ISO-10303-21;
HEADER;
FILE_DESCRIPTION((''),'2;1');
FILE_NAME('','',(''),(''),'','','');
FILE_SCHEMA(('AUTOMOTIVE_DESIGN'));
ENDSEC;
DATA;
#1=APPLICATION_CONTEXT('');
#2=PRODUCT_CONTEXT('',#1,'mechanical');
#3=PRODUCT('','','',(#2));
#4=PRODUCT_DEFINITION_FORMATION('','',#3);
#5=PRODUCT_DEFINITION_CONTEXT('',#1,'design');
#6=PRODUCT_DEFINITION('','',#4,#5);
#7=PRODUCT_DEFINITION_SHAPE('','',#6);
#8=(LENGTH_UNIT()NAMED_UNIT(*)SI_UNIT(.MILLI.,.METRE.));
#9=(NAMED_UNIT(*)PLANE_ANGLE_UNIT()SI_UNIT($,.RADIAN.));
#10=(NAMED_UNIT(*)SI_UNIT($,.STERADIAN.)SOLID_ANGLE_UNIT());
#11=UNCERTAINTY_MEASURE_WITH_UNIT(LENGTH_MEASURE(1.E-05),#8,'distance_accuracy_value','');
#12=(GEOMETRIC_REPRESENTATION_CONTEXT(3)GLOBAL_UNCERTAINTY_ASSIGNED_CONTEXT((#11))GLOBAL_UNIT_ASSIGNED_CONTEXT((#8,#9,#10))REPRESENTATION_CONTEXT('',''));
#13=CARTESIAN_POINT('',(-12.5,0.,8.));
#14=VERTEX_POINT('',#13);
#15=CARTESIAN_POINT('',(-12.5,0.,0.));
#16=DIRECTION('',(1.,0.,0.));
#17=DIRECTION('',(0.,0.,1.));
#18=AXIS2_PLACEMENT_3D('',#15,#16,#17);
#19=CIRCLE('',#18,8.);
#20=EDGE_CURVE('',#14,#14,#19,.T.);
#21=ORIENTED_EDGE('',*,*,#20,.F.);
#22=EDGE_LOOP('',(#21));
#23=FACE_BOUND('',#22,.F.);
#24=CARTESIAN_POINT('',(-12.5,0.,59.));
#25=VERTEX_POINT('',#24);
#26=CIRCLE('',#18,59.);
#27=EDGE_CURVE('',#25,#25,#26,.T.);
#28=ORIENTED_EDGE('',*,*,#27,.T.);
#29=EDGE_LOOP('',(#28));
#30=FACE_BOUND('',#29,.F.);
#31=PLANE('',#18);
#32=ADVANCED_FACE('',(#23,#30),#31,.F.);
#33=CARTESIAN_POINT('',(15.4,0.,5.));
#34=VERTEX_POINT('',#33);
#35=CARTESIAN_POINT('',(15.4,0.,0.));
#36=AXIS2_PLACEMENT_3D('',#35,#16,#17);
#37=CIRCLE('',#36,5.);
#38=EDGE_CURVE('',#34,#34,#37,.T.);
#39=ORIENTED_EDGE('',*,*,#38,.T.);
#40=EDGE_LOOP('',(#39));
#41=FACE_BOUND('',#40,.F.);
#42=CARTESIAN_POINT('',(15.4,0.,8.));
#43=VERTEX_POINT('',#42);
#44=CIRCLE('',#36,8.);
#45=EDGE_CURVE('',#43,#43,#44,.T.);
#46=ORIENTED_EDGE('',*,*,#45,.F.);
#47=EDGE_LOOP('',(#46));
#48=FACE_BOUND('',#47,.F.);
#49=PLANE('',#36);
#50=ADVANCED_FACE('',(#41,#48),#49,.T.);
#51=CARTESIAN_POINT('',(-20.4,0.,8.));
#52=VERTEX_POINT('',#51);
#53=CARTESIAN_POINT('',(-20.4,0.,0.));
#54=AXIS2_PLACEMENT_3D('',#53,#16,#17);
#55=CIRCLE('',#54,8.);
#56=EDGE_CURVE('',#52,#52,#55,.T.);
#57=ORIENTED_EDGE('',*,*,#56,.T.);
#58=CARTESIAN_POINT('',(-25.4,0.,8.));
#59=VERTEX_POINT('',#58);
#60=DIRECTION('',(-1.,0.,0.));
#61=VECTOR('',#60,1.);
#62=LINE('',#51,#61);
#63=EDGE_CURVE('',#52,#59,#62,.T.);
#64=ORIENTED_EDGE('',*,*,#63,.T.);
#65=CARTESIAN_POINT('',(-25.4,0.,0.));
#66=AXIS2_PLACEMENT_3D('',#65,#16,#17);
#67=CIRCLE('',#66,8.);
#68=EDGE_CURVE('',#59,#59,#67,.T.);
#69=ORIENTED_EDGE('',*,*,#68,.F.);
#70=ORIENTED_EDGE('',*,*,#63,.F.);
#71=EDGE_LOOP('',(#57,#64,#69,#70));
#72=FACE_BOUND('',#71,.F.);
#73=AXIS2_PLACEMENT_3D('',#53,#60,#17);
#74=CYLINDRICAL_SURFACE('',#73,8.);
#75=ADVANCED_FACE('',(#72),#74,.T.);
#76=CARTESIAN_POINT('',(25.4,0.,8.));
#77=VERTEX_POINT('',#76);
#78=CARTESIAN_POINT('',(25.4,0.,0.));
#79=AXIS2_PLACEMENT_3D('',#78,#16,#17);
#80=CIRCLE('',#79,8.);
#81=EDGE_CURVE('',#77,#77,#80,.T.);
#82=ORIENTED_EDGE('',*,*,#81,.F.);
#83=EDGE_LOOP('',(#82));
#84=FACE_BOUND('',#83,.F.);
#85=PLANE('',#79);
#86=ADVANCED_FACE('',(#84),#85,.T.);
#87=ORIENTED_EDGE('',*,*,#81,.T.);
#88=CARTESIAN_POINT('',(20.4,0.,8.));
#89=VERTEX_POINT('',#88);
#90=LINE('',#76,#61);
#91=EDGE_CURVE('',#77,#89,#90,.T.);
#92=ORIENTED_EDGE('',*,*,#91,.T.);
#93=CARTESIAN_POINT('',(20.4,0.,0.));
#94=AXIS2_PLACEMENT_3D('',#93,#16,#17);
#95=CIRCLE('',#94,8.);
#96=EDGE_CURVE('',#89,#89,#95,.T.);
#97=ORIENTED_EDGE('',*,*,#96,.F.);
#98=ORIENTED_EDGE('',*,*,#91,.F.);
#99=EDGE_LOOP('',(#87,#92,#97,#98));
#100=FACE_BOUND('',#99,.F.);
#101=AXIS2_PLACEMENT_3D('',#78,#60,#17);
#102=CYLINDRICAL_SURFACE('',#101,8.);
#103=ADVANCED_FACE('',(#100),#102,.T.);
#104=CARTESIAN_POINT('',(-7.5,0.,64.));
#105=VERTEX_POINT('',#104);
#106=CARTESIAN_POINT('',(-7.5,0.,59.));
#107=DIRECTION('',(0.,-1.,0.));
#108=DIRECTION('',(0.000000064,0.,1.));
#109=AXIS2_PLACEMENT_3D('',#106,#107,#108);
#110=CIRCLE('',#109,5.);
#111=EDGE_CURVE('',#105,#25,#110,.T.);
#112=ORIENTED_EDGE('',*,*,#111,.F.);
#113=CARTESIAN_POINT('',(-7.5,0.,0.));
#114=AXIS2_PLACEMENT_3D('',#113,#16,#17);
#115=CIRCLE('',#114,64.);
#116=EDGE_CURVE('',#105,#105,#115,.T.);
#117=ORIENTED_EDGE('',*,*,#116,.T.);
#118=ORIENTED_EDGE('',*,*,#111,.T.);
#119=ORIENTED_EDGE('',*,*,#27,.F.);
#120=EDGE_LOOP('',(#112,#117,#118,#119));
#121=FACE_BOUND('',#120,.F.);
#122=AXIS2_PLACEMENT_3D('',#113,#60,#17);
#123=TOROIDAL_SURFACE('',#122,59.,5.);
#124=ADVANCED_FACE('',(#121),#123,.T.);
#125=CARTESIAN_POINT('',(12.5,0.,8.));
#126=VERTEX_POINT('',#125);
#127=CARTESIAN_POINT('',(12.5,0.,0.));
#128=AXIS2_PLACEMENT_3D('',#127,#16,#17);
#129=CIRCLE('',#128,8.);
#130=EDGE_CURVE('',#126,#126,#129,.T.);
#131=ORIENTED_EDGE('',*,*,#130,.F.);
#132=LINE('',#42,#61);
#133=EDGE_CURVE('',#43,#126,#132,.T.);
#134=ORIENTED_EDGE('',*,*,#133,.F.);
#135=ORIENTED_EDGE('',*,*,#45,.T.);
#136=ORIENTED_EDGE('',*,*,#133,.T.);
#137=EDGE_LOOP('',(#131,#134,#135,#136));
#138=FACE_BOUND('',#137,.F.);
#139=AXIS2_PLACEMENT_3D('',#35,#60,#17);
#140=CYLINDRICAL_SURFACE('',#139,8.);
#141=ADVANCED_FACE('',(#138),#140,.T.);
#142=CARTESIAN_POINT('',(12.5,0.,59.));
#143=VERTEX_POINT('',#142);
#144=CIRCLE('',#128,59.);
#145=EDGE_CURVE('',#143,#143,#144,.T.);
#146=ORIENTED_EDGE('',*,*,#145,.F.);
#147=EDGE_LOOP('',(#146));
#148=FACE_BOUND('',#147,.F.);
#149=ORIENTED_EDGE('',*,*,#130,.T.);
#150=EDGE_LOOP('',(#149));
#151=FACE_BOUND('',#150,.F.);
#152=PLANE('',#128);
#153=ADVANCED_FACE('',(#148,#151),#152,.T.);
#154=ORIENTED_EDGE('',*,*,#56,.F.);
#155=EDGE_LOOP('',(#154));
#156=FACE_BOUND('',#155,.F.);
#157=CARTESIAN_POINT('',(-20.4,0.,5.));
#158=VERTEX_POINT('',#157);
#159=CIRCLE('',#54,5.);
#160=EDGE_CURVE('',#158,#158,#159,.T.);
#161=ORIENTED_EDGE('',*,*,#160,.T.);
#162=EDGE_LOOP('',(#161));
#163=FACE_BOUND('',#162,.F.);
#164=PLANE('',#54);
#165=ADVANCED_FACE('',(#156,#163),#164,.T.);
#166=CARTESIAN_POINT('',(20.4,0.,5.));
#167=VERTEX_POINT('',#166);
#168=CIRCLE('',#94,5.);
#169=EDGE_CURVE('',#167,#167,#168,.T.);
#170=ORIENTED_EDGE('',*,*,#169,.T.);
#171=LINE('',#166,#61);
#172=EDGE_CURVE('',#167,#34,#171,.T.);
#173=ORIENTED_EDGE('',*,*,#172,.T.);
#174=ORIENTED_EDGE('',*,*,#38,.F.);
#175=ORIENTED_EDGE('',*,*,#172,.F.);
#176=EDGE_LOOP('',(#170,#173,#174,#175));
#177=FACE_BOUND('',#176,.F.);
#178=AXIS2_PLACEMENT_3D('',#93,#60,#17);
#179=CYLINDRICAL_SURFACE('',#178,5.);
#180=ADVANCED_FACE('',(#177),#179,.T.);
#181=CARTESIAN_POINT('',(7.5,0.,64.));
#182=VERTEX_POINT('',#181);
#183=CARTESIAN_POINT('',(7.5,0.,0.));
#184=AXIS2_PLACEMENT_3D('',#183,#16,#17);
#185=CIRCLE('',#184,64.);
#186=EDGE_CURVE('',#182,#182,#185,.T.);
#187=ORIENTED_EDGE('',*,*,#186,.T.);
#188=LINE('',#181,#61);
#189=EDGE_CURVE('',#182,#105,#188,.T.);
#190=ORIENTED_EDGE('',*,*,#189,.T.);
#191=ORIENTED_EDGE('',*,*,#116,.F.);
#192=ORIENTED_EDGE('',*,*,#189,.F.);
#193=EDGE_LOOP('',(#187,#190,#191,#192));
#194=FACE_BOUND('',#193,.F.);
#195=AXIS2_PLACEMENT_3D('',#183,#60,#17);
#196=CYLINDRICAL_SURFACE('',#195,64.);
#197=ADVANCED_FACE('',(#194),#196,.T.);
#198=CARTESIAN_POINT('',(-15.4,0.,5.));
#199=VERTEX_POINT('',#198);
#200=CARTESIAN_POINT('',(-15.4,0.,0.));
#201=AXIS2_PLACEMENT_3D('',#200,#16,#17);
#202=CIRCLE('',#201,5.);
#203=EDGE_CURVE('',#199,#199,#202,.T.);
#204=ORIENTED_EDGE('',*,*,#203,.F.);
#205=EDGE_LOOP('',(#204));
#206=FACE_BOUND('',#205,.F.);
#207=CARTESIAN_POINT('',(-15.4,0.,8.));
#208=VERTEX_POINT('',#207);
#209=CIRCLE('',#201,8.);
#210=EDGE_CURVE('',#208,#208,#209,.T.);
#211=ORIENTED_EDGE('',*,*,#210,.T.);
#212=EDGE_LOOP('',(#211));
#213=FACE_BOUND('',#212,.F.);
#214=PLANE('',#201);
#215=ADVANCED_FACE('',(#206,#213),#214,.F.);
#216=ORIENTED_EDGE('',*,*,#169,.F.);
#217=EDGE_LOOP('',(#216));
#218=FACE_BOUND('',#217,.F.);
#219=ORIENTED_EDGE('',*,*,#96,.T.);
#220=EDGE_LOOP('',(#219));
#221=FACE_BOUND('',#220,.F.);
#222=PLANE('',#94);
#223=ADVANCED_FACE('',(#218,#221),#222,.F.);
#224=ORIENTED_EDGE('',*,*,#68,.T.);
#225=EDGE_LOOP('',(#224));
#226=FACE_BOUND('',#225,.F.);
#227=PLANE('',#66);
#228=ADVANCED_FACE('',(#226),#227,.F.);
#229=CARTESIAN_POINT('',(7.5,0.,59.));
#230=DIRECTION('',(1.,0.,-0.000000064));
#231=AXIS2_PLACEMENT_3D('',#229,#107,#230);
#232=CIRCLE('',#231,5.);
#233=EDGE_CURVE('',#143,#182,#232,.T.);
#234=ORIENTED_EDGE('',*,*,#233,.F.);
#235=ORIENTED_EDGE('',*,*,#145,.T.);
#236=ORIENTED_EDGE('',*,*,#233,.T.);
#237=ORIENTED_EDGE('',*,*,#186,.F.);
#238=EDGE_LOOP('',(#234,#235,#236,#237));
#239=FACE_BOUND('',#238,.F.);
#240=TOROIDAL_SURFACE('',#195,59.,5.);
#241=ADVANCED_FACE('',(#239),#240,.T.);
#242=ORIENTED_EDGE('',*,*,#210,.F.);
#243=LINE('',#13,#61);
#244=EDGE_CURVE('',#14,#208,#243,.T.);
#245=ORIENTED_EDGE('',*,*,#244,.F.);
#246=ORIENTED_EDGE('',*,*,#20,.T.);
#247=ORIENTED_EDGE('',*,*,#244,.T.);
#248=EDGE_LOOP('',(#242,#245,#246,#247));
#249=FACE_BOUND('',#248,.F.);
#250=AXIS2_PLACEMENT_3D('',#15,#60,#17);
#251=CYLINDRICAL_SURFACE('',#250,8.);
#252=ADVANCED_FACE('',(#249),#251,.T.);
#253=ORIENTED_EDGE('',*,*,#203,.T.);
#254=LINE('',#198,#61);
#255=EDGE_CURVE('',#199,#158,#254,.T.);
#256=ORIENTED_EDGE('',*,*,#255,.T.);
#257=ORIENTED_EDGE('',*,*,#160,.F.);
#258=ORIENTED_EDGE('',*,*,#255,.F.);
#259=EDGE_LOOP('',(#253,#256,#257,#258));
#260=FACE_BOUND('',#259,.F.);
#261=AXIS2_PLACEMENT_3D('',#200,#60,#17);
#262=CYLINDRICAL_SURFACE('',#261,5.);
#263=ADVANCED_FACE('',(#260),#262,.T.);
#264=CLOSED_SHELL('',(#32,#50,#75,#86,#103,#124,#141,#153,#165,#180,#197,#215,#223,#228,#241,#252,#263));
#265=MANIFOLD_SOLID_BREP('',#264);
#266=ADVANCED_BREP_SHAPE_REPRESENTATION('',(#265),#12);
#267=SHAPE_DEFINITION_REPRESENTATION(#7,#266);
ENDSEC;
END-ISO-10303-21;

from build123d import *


with BuildPart() as f1:
    # F0 (on Front) → F1 (revolve)
    with BuildSketch(Plane.XZ):
        with BuildLine():
            Line((-20.4, 8), (-25.4, 8))
            Line((-25.4, 8), (-25.4, 0))
            Line((-25.4, 0), (-12.5, 0))
            Line((-12.5, 0), (12.5, 0))
            Line((12.5, 0), (25.4, 0))
            Line((25.4, 0), (25.4, 8))
            Line((25.4, 8), (20.4, 8))
            Line((20.4, 8), (20.4, 5))
            Line((20.4, 5), (15.4, 5))
            Line((15.4, 5), (15.4, 8))
            Line((15.4, 8), (12.5, 8))
            Line((12.5, 8), (12.5, 59))
            ThreePointArc((12.5, 59), (11.035534, 62.535534), (7.5, 64))
            Line((7.5, 64), (-7.5, 64))
            ThreePointArc((-7.5, 64), (-11.035534, 62.535534), (-12.5, 59))
            Line((-12.5, 59), (-12.5, 8))
            Line((-12.5, 8), (-15.4, 8))
            Line((-15.4, 8), (-15.4, 5))
            Line((-15.4, 5), (-20.4, 5))
            Line((-20.4, 5), (-20.4, 8))
        make_face()
    revolve(axis=Axis((-6.764503, 0, 0), (1, 0, 0)))


solid = f1.part
